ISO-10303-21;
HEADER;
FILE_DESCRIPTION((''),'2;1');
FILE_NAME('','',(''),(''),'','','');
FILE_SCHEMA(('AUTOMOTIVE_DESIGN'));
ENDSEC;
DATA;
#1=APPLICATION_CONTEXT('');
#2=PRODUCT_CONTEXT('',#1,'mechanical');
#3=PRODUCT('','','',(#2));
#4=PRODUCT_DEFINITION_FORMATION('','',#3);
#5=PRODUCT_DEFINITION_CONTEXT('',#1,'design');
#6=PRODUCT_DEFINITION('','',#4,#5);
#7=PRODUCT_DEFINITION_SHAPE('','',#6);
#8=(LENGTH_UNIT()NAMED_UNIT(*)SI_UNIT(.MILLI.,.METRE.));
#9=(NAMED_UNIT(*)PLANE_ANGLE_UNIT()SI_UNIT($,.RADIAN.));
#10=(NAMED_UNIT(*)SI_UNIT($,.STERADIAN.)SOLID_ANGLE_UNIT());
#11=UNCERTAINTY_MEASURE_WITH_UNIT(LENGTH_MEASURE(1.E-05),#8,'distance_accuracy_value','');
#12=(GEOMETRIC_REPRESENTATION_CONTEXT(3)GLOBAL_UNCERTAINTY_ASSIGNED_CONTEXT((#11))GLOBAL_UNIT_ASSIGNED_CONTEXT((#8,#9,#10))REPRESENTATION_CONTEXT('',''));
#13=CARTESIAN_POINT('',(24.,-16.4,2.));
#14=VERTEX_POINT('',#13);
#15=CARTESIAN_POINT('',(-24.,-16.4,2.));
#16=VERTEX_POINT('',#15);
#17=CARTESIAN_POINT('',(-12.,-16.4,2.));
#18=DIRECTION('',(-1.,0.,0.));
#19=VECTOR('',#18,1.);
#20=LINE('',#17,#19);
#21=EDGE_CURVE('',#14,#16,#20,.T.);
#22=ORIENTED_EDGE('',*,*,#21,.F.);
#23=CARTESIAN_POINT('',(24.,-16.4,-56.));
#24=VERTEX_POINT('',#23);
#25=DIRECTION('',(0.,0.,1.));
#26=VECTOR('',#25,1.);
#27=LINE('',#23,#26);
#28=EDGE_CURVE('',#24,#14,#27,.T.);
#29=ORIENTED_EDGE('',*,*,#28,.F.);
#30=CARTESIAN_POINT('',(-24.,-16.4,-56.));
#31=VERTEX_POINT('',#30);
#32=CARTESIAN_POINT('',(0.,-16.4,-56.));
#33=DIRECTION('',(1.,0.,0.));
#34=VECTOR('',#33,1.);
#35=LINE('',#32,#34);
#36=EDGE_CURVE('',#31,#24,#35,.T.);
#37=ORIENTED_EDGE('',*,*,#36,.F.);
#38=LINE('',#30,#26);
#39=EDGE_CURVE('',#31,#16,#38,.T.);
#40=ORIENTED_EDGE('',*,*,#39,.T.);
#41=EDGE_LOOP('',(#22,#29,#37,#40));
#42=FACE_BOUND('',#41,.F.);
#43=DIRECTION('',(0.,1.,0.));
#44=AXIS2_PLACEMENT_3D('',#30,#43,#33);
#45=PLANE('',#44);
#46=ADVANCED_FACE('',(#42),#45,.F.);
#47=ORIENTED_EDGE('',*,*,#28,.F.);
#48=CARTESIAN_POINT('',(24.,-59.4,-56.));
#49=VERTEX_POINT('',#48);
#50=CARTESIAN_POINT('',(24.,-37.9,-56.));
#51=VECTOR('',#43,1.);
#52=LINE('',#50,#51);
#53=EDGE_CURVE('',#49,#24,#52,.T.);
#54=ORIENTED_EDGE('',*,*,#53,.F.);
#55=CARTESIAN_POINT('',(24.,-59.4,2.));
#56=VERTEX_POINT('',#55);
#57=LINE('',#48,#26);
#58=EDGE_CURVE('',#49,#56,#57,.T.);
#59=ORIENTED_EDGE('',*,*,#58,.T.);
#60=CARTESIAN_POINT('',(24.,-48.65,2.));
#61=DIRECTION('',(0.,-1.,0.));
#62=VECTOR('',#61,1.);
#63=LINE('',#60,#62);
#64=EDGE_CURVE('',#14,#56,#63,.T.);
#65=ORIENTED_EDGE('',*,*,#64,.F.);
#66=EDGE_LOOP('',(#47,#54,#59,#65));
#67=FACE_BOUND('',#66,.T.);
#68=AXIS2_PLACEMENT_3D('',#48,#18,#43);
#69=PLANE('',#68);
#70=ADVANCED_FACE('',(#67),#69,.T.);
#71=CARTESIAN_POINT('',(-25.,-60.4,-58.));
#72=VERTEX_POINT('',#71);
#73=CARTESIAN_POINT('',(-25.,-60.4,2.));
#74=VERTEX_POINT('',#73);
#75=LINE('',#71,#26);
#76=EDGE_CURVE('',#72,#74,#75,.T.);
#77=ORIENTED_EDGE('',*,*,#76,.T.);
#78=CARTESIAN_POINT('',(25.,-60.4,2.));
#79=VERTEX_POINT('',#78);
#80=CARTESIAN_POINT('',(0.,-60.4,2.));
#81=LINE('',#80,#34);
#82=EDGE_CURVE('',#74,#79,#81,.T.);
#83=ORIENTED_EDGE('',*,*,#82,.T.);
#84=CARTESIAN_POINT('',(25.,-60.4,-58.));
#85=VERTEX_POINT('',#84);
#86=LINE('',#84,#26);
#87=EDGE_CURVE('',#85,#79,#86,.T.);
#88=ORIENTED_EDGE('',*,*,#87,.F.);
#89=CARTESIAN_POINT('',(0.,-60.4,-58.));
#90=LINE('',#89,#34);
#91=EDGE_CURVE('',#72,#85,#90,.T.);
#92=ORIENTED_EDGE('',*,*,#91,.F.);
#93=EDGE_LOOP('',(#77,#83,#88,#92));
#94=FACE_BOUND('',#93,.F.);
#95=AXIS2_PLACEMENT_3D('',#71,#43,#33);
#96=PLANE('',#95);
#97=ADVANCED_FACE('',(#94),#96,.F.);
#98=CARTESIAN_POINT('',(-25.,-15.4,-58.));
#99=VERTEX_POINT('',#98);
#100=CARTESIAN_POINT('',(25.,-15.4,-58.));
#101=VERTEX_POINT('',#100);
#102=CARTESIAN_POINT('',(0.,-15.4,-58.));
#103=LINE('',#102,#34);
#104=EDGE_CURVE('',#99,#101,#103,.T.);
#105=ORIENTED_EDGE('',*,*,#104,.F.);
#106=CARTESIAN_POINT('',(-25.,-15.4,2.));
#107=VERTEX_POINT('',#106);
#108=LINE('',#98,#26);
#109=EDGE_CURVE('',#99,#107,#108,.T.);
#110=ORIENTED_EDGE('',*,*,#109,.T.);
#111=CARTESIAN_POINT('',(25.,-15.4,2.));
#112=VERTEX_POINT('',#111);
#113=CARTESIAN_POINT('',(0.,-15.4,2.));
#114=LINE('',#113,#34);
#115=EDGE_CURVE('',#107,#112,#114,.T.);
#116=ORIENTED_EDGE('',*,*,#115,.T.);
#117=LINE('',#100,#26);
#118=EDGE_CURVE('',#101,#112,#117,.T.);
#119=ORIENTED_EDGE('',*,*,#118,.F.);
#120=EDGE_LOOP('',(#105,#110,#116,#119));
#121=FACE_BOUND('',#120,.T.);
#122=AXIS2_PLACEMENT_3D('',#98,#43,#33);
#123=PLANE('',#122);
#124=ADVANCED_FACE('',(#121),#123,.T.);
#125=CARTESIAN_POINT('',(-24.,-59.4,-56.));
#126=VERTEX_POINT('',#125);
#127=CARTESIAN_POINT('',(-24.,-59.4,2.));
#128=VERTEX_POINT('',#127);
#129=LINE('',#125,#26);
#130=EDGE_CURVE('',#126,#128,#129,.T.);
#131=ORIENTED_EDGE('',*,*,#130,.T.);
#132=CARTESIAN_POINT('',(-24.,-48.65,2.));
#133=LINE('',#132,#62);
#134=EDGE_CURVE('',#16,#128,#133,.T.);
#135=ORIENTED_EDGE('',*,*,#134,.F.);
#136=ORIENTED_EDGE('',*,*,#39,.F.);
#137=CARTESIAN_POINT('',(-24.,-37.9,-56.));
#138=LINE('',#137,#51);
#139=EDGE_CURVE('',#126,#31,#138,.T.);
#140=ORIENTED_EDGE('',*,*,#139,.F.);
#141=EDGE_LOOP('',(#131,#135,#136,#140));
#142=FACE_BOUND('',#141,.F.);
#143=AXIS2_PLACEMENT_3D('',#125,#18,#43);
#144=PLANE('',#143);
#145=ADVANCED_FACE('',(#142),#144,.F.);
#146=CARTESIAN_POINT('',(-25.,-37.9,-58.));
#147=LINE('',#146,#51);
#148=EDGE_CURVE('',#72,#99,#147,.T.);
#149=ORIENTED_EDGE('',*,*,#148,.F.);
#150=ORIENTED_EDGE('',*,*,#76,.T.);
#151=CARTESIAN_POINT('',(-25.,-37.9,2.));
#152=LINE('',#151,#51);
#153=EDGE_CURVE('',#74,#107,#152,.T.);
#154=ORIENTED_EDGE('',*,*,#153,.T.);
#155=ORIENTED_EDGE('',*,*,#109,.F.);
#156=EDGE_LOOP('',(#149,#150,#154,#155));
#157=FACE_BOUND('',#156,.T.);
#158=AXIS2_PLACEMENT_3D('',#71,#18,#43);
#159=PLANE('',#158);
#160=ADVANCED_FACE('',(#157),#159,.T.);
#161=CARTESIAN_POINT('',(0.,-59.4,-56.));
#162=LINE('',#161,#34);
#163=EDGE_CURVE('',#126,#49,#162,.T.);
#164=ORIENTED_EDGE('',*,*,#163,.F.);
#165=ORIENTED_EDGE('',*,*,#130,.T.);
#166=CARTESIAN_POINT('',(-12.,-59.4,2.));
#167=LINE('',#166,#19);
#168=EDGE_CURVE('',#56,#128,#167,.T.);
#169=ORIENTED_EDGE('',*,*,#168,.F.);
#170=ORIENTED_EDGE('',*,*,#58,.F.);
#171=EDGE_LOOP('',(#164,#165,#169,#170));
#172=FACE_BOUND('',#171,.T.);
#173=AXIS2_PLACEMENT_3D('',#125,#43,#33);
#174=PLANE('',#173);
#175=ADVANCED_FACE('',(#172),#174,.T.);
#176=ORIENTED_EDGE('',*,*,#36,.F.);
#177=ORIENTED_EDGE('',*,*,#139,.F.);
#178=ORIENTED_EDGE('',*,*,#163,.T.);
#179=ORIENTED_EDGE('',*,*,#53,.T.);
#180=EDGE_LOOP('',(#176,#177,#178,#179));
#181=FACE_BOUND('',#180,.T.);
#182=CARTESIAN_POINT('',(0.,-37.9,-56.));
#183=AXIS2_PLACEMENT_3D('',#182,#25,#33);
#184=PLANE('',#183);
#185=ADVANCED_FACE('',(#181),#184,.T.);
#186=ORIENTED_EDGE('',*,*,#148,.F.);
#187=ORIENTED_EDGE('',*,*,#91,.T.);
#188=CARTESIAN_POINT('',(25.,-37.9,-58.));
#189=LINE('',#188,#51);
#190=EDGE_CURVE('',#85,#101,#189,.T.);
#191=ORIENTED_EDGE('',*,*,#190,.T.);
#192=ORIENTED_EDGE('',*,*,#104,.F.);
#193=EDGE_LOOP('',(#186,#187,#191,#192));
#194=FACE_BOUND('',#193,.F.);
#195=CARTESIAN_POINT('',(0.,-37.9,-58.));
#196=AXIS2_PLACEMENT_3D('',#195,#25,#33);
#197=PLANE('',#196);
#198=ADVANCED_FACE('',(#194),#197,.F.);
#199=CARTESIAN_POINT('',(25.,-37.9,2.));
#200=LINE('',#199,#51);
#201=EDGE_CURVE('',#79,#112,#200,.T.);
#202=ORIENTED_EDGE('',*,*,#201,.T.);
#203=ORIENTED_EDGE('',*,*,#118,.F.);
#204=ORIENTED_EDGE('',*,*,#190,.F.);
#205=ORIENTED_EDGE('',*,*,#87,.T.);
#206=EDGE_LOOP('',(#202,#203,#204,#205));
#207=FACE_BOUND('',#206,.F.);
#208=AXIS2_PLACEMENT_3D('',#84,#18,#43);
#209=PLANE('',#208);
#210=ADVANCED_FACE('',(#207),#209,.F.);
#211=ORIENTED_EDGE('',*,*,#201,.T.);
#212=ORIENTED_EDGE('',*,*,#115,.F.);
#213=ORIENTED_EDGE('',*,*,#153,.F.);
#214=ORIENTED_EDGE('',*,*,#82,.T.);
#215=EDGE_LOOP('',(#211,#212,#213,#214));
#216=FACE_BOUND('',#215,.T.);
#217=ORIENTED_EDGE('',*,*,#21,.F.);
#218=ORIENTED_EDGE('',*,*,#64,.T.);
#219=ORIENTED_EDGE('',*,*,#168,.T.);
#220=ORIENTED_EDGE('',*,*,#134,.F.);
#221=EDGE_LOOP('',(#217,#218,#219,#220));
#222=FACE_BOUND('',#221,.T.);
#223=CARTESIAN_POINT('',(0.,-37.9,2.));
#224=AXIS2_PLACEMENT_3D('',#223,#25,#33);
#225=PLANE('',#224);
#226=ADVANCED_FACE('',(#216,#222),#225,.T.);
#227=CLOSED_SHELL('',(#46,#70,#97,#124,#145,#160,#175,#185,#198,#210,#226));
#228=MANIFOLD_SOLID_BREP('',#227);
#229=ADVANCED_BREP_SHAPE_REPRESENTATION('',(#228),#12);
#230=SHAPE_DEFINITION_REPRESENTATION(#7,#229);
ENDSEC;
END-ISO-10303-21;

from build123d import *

# Parameters (mm, degrees)
SKETCH004_W  = 48
SKETCH004_H  = 43
PAD012_DEPTH = 60
SKETCH003_W  = 50
SKETCH003_H  = 45
PAD011_DEPTH = 60


with BuildPart() as body004:
    # Sketch004 → Pad012 (new body)
    with BuildSketch(Plane.XY.offset(-39)):
        Rectangle(SKETCH004_W, SKETCH004_H)
    extrude(amount=PAD012_DEPTH)


with BuildPart() as body004_1:
    # Body004 placement: moved
    add(body004.part.moved(Location((0, -37.9, -17))))


with BuildPart() as cut:
    # Sketch003 → Pad011 (new body)
    with BuildSketch(Plane.XY.offset(-40)):
        Rectangle(SKETCH003_W, SKETCH003_H)
    extrude(amount=PAD011_DEPTH)


with BuildPart() as cut_1:
    # Body003 placement: moved
    add(cut.part.moved(Location((0, -37.9, -18))))

    # Cut: cut Body004
    add(body004_1.part, mode=Mode.SUBTRACT)


solid = cut_1.part
